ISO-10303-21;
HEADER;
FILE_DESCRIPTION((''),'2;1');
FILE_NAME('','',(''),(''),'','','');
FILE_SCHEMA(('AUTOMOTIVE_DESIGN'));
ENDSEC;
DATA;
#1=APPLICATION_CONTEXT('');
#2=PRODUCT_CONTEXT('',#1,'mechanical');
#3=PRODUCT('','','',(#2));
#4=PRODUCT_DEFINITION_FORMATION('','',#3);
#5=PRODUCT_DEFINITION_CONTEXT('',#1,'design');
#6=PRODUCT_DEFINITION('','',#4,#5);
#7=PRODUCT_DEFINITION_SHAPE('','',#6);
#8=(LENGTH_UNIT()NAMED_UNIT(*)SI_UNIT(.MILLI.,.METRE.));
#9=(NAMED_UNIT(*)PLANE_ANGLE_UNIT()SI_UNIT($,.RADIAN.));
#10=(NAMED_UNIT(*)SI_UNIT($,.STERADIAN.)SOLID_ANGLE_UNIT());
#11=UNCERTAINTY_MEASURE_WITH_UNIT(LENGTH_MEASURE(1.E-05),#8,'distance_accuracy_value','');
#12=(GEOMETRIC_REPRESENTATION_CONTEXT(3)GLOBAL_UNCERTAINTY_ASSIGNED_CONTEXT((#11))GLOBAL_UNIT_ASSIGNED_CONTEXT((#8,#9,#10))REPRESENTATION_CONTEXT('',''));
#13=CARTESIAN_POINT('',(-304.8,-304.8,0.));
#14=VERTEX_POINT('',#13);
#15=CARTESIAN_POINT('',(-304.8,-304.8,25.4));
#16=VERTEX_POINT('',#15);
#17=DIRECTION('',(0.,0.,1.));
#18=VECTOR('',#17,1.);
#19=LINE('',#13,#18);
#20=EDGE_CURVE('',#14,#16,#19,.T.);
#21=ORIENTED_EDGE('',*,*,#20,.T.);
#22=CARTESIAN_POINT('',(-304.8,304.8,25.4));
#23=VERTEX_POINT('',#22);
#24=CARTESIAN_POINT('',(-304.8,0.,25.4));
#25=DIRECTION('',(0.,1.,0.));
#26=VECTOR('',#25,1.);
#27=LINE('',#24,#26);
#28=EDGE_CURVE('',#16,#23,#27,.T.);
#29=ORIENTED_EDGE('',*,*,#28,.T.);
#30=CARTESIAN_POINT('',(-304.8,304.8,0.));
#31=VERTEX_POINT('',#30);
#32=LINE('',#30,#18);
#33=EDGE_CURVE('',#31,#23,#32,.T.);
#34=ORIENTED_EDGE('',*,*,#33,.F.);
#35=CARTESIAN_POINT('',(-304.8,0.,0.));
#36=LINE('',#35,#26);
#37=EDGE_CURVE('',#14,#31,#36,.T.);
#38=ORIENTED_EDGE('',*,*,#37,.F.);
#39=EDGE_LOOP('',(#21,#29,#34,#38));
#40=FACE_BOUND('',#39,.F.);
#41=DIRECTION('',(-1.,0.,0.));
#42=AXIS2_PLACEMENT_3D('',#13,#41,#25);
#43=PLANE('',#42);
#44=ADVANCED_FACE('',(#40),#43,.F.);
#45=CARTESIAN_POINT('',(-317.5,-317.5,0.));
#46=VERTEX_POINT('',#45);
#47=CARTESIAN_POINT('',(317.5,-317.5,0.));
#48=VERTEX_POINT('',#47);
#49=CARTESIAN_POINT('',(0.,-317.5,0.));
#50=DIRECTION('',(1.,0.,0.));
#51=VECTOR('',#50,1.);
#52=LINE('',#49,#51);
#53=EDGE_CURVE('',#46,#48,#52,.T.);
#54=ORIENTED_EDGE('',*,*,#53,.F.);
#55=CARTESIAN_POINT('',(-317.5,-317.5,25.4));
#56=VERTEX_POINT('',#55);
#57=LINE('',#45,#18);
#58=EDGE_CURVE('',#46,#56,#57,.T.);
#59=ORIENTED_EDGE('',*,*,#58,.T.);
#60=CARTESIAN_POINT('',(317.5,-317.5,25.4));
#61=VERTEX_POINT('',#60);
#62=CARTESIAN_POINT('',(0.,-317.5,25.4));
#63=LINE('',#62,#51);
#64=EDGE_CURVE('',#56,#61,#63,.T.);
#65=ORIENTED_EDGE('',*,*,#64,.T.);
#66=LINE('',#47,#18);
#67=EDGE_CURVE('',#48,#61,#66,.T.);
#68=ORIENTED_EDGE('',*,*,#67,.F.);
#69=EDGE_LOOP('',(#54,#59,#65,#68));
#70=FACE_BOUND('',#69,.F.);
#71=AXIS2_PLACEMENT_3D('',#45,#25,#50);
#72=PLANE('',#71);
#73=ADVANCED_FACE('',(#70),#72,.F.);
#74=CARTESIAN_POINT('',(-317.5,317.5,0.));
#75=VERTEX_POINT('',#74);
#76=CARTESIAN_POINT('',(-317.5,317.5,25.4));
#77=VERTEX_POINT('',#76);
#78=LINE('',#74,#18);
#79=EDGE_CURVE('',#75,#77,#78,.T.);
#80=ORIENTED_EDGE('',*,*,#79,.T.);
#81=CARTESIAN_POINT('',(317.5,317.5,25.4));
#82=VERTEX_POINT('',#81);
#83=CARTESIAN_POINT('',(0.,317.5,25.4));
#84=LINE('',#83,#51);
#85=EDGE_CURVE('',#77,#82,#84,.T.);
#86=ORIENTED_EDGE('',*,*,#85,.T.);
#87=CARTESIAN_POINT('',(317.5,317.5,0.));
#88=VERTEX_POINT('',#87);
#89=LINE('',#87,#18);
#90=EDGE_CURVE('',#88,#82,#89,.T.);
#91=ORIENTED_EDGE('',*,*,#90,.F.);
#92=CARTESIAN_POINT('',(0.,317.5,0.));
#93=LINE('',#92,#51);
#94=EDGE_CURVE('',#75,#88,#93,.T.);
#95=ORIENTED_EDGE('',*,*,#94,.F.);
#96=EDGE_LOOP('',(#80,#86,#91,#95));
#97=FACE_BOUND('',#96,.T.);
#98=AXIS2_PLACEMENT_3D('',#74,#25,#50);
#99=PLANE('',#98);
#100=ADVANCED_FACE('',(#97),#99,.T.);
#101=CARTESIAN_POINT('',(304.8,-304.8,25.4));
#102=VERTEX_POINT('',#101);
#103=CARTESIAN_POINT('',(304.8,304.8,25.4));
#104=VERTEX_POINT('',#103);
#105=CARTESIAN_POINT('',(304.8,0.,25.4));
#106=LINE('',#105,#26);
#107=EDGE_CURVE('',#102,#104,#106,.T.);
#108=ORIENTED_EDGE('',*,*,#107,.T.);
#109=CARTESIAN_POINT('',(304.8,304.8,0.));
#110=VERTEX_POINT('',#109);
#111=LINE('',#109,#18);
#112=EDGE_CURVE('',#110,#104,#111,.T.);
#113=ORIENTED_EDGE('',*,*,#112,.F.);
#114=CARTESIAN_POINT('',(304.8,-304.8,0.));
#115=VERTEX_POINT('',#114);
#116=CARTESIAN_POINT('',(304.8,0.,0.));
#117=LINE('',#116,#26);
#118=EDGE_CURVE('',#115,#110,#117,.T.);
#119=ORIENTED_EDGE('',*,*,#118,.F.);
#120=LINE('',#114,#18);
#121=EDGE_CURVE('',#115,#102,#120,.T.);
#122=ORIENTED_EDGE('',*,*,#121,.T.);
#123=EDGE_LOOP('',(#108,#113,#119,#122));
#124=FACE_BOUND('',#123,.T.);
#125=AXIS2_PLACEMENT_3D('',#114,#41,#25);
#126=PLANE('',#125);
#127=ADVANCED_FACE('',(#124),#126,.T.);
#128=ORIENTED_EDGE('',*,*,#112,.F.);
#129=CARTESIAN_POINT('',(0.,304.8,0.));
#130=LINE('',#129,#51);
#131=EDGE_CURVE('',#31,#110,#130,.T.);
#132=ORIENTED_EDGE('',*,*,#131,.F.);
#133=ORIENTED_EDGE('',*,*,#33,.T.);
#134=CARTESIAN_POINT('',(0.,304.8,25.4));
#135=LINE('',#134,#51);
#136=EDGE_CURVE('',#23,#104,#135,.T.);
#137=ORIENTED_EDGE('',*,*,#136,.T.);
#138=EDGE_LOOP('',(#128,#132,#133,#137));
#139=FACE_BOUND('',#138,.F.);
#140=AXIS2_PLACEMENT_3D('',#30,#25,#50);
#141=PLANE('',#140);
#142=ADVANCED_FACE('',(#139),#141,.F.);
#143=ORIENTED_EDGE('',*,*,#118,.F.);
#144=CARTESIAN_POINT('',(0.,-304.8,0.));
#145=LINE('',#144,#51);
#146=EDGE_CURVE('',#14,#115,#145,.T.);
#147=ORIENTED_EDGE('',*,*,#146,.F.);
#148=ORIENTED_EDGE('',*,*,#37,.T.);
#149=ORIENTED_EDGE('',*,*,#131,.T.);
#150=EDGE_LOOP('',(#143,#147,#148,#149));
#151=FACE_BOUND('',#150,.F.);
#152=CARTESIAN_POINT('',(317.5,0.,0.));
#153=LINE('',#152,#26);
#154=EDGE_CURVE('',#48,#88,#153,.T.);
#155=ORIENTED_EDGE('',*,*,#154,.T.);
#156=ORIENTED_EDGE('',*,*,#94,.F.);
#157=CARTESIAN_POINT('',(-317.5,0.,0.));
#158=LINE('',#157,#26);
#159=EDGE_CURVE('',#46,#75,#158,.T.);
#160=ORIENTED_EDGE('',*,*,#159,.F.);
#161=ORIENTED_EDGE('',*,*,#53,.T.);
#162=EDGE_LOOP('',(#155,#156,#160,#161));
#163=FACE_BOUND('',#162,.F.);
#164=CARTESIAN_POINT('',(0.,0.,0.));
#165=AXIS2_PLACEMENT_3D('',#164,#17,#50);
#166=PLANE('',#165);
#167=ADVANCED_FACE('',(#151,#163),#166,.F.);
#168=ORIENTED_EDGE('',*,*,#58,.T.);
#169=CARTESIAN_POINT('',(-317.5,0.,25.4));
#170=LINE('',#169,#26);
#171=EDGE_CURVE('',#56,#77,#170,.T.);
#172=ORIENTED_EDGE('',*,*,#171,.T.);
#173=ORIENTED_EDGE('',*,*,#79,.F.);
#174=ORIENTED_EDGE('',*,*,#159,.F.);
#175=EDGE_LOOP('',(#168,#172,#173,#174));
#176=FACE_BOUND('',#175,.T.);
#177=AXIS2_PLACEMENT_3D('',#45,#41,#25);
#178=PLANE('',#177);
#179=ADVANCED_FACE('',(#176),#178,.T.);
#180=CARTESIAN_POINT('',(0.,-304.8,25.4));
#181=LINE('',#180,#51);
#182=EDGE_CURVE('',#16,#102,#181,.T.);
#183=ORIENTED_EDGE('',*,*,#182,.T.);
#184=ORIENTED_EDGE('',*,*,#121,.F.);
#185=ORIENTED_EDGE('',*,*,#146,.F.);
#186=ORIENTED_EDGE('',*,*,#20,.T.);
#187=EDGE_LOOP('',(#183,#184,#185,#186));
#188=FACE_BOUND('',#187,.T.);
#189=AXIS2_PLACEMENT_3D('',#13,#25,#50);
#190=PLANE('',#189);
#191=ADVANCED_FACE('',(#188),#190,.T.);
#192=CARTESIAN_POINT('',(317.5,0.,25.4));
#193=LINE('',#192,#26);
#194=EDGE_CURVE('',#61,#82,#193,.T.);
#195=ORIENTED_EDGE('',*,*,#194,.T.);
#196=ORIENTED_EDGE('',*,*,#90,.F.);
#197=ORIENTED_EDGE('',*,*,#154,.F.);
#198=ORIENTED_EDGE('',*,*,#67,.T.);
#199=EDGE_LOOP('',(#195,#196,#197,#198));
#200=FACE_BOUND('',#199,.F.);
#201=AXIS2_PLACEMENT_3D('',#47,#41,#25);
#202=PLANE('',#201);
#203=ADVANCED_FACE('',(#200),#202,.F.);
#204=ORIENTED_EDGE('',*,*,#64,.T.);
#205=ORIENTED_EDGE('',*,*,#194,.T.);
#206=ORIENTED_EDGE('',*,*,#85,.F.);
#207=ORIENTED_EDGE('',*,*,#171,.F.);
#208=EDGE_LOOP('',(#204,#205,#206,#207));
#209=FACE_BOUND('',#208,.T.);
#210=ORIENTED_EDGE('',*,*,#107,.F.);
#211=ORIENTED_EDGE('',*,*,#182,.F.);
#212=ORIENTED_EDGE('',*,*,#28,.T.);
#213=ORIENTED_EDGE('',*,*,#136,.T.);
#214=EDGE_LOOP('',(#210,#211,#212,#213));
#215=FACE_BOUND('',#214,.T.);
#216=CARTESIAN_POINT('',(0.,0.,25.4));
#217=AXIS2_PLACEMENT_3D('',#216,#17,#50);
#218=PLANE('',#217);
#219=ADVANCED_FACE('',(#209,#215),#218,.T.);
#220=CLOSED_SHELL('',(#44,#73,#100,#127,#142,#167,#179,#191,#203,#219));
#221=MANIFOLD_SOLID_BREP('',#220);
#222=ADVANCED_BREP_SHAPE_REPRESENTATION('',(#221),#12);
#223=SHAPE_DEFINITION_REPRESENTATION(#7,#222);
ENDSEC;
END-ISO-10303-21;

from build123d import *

# Parameters (mm, degrees)
F1_W     = 635
F1_H     = 635
F1_W_2   = 609.6
F1_H_2   = 609.6
F2_DEPTH = 25.4


with BuildPart() as f2:
    # F1 (on face) → F2 (new body)
    with BuildSketch(Plane.XY):
        Rectangle(F1_W, F1_H)
        Rectangle(F1_W_2, F1_H_2, mode=Mode.SUBTRACT)
    extrude(amount=F2_DEPTH)


solid = f2.part
